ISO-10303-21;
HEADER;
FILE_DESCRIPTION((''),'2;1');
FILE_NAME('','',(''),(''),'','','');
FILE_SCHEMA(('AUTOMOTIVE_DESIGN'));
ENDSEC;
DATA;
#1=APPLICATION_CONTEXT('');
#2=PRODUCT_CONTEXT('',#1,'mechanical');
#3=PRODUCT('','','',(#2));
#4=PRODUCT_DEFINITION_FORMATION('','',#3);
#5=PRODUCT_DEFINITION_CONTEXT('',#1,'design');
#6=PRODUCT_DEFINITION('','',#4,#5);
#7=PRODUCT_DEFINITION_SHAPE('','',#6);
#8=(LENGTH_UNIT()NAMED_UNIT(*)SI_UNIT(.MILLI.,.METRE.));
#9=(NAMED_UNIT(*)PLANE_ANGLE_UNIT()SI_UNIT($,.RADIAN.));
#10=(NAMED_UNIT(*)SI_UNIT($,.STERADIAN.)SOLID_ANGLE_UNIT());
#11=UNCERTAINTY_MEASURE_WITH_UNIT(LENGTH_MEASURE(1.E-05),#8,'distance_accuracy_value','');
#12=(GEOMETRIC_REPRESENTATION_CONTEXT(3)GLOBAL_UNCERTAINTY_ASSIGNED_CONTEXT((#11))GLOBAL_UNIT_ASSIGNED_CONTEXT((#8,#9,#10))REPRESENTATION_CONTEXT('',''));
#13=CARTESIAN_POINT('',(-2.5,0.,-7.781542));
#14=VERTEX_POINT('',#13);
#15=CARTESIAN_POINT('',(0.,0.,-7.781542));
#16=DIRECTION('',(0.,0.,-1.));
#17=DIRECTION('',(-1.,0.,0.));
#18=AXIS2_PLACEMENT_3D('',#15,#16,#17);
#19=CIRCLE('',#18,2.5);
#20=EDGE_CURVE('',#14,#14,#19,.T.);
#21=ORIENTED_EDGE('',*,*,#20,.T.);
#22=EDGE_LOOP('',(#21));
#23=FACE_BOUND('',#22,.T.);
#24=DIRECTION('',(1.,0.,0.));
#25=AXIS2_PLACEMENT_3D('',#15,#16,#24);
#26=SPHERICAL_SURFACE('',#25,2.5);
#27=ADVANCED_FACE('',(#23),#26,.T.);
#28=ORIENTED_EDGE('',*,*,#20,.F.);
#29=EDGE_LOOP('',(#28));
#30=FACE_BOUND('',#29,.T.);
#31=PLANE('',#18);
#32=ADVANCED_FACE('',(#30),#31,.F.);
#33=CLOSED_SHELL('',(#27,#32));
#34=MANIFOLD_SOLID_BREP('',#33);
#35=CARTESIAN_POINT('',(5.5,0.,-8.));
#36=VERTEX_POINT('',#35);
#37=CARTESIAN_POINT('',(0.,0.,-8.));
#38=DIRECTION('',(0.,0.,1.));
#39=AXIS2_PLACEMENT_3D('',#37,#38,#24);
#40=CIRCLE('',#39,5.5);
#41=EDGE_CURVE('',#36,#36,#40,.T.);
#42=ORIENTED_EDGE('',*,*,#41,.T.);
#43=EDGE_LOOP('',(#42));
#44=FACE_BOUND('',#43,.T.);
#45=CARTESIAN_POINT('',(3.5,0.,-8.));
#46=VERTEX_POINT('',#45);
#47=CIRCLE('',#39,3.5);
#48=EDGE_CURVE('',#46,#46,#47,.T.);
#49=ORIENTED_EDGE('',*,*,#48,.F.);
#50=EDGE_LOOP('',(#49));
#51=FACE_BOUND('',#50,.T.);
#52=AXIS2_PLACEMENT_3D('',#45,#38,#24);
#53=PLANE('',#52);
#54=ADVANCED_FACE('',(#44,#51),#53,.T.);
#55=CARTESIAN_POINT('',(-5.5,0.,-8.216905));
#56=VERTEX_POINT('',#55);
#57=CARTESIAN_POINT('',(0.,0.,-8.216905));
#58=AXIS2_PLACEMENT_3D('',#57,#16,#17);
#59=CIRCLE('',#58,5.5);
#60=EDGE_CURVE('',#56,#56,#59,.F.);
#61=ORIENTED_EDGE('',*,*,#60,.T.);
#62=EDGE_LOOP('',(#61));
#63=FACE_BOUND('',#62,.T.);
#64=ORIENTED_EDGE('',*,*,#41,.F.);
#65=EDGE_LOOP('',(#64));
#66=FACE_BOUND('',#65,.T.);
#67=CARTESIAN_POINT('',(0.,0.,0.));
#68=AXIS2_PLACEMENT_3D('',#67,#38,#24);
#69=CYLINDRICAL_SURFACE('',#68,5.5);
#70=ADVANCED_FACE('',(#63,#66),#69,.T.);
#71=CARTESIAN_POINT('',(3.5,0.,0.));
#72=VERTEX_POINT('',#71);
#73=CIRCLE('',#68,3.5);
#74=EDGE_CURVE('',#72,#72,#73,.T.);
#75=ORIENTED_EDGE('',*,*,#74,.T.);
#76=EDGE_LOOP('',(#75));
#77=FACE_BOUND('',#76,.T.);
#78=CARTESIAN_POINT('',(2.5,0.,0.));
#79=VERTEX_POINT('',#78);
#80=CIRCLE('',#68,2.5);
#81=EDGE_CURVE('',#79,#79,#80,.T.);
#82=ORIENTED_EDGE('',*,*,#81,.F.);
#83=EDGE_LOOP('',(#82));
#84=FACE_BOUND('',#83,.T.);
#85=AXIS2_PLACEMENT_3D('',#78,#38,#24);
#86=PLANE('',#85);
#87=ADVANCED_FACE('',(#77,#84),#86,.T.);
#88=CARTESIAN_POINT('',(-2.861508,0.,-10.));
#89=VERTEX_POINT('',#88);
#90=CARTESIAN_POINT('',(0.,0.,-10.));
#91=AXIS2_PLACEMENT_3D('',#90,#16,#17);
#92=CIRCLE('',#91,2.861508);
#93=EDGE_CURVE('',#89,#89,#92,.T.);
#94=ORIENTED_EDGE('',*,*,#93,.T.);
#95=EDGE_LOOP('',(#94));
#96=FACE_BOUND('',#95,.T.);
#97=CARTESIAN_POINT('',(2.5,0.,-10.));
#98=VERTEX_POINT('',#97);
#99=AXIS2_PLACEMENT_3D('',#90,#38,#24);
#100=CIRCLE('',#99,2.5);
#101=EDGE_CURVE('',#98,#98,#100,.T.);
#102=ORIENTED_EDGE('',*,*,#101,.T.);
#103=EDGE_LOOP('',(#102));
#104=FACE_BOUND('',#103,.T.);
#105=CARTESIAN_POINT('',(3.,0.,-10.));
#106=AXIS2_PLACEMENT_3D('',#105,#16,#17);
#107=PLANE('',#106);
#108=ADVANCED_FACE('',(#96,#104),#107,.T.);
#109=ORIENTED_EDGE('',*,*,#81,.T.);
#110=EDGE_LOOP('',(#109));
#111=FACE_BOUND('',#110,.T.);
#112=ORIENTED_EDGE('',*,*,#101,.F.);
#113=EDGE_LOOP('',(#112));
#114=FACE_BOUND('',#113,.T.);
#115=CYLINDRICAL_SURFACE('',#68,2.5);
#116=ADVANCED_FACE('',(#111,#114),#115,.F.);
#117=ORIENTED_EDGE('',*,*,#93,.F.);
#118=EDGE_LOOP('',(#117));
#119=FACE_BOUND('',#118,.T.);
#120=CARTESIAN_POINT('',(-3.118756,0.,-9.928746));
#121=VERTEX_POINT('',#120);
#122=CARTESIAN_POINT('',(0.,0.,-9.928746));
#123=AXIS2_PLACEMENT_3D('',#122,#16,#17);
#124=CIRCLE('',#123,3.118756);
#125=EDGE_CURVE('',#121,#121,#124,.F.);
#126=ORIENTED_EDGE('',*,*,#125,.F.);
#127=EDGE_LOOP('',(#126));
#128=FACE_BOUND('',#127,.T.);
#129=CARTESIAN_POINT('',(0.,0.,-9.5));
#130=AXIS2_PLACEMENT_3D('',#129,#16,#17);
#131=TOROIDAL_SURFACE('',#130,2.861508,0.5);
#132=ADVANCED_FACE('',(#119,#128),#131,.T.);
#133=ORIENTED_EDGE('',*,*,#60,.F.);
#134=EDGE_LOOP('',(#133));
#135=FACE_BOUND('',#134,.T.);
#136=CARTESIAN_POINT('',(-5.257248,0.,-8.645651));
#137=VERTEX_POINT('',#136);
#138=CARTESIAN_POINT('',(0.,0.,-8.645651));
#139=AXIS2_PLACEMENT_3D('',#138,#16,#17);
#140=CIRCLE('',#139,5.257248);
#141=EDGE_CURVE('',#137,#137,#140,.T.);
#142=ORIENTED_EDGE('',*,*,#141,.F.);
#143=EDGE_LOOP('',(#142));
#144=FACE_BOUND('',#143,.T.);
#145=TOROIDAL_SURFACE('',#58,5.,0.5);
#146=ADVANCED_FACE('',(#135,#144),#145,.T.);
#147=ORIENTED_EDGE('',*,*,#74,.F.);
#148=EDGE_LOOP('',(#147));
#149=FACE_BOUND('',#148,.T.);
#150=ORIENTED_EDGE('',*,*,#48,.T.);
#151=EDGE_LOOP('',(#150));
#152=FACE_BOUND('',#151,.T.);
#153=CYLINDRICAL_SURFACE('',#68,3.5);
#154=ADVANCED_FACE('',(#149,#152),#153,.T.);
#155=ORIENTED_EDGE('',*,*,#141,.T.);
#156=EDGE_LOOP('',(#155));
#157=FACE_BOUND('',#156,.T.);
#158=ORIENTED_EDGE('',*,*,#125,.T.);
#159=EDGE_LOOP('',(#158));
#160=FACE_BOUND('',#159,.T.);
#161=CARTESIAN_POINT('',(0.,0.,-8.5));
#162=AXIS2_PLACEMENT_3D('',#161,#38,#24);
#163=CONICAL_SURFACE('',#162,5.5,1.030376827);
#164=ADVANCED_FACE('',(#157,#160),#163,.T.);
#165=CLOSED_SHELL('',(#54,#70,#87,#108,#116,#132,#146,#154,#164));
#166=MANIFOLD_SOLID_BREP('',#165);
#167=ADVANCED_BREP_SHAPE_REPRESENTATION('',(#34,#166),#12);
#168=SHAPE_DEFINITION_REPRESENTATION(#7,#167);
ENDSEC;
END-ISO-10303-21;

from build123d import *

# Parameters (mm, degrees)
FILLET1_R = 0.5


with BuildPart() as part:
    # Sketch2 → Revolve1 (revolve)
    with BuildSketch(Plane(origin=(0, 0, 0), x_dir=(1, 0, 0), z_dir=(0, 1, 0))):
        Polygon((2.5, 0), (3.5, 0), (3.5, 8), (5.5, 8), (5.5, 8.5), (3, 10), (2.5, 10), align=None)
    revolve(axis=Axis((0, 0, 0), (0, 0, -1)))

    # Fillet1
    fillet1_edges = [part.edges().sort_by_distance(p)[0] for p in [
        (-5.5, 0, -8.5),
        (-3, 0, -10),
    ]]
    fillet(fillet1_edges, radius=FILLET1_R)


with BuildPart() as body_2:
    # Sketch4 → Revolve2 (revolve)
    with BuildSketch(Plane(origin=(0, 0, 0), x_dir=(1, 0, 0), z_dir=(0, 1, 0)), mode=Mode.PRIVATE) as revolve2_sk:
        with BuildLine():
            Line((0, 7.781542094), (2.5, 7.781542094))
            ThreePointArc((2.5, 7.781542094), (1.767766953, 9.549309047), (0, 10.281542094))
            Line((0, 10.281542094), (0, 7.781542094))
        make_face()
    revolve(revolve2_sk.sketch.rotate(Axis((0, 0, -10.281542094), (0, 0, 1)), 180), axis=Axis((0, 0, -10.281542094), (0, 0, 1)))


solid = Compound([part.part, body_2.part])
